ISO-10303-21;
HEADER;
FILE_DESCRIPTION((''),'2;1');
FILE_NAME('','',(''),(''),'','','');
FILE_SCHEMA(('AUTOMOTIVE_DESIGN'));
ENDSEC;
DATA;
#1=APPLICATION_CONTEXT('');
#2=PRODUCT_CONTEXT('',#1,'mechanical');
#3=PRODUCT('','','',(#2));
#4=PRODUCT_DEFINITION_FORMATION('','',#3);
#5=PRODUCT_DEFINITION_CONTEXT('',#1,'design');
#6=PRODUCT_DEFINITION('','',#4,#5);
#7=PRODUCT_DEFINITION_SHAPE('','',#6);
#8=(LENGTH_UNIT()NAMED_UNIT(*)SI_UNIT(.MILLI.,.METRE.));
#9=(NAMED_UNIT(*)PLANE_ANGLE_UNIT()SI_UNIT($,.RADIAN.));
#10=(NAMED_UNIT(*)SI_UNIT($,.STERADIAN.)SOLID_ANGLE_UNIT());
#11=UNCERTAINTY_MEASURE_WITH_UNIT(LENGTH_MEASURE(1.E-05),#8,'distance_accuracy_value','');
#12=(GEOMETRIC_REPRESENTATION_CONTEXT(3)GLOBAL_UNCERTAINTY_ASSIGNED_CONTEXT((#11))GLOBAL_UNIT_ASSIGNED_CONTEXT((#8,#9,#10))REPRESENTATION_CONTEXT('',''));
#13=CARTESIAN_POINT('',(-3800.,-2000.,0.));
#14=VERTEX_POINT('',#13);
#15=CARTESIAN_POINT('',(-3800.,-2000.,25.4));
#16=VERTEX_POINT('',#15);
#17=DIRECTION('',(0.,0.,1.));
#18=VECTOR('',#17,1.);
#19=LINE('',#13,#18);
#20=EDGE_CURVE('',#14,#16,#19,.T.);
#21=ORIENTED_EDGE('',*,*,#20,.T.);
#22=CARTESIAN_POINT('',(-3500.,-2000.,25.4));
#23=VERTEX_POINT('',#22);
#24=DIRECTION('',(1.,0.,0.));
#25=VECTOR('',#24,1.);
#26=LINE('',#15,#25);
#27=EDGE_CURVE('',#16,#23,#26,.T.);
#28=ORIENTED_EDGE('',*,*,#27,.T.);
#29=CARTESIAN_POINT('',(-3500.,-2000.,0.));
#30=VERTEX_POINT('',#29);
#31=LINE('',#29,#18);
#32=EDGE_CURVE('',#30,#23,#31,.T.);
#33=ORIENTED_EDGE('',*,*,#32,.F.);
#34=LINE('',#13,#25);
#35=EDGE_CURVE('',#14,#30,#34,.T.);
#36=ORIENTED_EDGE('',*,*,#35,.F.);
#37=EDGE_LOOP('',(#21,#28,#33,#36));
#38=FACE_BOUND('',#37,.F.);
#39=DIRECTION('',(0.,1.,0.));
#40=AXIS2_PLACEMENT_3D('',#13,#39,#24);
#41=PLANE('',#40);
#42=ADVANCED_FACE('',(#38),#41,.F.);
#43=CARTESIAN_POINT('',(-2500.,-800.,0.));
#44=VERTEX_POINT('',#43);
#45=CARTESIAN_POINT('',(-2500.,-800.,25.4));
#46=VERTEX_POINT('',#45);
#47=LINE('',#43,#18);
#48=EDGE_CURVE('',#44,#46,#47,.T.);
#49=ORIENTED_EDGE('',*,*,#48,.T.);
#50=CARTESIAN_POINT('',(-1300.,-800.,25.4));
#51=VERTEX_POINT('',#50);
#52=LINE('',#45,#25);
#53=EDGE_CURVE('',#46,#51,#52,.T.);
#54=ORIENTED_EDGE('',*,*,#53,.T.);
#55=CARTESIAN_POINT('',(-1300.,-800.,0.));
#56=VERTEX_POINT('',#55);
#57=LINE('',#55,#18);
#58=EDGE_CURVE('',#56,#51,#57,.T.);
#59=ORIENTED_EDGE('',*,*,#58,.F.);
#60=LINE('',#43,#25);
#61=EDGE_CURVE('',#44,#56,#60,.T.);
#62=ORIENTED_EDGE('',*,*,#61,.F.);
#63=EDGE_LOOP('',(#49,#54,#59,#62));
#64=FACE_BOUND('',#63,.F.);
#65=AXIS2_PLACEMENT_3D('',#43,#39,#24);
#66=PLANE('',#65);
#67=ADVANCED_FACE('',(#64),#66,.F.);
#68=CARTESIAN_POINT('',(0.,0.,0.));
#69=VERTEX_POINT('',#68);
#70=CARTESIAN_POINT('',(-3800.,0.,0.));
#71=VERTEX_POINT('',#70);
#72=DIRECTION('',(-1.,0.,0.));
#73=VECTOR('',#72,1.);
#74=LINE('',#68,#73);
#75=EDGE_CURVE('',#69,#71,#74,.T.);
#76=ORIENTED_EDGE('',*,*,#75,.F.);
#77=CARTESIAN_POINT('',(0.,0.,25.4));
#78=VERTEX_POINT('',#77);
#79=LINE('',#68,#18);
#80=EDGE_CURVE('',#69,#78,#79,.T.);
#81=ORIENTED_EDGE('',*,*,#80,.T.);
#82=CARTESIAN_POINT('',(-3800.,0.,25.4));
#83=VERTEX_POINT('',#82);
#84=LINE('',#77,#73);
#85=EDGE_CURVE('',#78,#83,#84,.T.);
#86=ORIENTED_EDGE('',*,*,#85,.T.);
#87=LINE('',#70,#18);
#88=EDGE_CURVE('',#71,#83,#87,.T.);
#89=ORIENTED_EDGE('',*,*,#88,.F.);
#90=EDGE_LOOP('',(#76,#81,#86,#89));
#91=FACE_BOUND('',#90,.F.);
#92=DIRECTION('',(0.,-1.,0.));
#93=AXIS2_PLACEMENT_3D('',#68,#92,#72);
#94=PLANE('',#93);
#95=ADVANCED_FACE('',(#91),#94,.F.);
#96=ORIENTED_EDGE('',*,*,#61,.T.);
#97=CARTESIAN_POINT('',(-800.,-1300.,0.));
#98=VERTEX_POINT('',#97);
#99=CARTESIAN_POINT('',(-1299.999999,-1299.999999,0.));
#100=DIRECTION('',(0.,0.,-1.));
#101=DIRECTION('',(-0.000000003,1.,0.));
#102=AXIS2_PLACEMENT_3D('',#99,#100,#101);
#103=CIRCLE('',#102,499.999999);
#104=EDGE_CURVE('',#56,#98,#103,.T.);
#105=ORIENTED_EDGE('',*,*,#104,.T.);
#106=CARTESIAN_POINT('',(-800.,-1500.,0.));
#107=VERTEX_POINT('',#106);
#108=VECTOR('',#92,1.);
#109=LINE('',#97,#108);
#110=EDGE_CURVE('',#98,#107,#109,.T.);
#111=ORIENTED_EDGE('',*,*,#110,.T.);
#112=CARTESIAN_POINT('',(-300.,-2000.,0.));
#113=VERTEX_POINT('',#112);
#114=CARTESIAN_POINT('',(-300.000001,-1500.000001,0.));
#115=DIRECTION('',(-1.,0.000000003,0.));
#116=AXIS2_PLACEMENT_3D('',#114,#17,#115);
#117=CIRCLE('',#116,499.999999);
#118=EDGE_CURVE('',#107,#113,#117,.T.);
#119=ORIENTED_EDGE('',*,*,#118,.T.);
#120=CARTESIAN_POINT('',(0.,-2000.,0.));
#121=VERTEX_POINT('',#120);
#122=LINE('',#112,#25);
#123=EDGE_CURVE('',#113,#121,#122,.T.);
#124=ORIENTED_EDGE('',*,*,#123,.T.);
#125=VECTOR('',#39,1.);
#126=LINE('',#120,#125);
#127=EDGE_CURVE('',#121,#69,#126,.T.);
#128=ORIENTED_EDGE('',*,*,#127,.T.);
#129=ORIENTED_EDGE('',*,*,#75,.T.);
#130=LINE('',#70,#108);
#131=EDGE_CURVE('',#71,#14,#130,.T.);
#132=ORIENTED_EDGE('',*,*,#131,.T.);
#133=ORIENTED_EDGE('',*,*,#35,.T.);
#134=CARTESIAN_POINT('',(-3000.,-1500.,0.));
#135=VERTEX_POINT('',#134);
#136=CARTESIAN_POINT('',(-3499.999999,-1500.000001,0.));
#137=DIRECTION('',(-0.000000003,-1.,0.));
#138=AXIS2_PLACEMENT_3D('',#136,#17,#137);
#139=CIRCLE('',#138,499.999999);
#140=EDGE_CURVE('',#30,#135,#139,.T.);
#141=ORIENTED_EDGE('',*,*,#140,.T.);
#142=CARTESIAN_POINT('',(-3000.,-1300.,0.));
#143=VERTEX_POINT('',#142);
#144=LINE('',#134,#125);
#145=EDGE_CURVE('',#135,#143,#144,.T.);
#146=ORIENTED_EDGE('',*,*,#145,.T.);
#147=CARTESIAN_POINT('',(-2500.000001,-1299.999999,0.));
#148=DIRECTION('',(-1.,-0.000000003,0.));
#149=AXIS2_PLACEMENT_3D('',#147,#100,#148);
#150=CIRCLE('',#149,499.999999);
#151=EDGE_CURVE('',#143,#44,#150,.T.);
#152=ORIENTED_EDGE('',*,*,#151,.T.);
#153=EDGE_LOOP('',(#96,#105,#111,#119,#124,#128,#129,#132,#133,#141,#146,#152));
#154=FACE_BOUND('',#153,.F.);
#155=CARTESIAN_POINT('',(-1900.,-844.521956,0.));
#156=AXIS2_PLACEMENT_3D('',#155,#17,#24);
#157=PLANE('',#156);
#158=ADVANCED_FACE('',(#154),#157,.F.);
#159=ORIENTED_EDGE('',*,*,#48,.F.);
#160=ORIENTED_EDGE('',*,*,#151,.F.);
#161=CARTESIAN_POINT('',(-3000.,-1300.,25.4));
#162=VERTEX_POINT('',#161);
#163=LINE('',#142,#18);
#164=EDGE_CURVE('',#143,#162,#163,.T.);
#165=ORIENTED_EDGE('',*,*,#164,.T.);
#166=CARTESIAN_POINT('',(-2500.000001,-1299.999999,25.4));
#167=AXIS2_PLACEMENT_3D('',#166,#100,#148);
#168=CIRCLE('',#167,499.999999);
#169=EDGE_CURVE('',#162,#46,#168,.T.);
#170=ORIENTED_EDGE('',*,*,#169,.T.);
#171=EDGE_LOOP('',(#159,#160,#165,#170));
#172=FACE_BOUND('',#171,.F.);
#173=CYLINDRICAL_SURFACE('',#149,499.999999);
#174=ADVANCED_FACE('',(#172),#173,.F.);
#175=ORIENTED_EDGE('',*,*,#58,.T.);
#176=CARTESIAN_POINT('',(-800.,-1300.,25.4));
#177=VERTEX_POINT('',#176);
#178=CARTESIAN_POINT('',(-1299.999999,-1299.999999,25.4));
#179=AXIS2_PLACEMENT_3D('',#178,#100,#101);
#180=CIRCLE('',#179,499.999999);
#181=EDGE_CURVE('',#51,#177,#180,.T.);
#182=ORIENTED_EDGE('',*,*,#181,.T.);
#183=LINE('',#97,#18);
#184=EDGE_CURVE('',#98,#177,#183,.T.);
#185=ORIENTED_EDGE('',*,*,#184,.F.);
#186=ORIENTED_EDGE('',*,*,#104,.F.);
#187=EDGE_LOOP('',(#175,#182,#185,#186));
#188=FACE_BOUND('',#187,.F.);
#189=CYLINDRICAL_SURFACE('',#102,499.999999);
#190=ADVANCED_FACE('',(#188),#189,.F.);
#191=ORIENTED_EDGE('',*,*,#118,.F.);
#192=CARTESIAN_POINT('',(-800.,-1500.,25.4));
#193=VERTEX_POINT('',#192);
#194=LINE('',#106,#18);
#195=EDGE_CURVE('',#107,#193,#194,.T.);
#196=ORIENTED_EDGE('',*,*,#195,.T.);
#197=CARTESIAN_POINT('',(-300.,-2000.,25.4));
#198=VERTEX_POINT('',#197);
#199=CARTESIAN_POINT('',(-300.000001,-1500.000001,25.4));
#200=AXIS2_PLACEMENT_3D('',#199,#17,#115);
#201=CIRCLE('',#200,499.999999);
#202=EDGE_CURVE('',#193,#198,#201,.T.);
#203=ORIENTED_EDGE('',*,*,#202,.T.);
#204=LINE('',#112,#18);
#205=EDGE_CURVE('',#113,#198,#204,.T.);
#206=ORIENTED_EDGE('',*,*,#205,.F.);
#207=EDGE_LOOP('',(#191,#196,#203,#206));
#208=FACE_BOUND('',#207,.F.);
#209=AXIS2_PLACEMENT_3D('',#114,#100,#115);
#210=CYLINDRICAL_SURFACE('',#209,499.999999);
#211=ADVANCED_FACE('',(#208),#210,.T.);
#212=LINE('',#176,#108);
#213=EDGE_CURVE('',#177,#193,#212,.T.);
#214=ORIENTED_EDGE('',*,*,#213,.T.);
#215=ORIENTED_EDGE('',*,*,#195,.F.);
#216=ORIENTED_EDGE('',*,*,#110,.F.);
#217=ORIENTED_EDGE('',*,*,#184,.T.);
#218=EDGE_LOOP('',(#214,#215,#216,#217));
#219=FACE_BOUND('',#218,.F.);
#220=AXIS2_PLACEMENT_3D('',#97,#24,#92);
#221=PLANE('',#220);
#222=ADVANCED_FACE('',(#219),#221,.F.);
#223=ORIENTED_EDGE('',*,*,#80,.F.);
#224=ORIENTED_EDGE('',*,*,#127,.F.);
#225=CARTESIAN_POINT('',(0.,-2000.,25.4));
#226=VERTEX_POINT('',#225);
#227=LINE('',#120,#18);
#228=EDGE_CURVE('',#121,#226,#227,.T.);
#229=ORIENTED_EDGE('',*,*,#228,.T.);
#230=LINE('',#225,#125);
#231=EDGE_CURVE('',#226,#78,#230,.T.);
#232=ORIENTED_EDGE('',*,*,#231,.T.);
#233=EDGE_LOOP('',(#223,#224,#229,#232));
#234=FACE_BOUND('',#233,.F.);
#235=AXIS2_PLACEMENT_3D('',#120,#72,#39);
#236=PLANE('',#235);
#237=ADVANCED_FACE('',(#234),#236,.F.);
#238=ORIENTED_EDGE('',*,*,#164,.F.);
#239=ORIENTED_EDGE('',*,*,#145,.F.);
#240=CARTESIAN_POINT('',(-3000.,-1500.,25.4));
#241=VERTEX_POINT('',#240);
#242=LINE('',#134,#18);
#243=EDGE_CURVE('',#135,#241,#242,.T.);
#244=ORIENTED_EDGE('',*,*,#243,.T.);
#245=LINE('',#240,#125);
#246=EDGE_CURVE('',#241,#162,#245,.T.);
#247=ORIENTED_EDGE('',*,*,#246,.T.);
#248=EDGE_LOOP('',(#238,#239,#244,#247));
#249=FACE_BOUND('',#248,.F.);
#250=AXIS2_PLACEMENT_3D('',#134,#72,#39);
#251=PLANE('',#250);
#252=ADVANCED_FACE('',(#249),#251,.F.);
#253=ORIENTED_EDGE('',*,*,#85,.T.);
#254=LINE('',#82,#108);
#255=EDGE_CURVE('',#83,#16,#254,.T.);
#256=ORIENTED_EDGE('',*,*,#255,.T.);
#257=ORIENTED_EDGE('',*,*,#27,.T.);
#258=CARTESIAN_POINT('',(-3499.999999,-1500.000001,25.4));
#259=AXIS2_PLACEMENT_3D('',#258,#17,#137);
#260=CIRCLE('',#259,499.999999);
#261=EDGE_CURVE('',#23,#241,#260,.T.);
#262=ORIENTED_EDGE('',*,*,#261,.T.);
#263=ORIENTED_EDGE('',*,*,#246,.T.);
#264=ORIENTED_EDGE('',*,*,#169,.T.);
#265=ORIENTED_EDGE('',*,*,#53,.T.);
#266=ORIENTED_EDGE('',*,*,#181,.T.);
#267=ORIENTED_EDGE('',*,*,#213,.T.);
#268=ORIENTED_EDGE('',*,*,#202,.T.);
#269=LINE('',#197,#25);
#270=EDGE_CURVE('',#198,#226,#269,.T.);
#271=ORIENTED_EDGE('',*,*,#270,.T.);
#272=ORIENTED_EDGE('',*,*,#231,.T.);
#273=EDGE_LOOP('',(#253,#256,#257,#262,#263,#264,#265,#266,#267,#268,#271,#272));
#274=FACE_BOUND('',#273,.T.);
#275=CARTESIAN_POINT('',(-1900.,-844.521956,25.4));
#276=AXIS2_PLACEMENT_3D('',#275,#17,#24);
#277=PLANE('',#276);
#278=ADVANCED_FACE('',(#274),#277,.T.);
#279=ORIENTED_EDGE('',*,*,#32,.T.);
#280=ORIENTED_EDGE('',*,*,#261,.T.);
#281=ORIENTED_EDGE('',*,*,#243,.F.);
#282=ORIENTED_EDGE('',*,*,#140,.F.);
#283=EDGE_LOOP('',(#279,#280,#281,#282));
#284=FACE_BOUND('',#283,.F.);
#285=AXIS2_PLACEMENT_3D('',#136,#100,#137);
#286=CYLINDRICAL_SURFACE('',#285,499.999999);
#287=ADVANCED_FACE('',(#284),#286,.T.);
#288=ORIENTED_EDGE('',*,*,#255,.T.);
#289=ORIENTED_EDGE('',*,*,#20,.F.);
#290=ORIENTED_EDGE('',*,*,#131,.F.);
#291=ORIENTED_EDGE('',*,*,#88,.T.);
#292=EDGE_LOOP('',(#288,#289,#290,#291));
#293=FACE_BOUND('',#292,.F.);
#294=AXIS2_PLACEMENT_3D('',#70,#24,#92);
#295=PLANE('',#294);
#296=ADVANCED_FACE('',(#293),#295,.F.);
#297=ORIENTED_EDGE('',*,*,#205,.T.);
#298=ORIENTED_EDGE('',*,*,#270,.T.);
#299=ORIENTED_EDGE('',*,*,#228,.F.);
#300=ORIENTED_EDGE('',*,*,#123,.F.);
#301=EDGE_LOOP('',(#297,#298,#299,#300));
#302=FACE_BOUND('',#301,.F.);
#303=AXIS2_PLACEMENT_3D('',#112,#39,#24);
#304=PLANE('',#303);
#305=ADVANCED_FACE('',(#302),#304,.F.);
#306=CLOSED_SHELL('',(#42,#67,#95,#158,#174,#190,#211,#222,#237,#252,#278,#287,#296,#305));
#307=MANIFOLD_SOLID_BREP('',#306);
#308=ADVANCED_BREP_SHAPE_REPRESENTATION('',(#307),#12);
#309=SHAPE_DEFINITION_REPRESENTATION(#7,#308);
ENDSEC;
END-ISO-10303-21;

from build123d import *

# Parameters (mm, degrees)
F1_DEPTH = 25.4


with BuildPart() as f1:
    # F0 (on Top) → F1 (new body)
    with BuildSketch(Plane.XY):
        with BuildLine():
            Line((0, -2000), (0, 0))
            Line((0, 0), (-3800, 0))
            Line((-3800, 0), (-3800, -2000))
            Line((-3800, -2000), (-3500, -2000))
            ThreePointArc((-3500, -2000), (-3146.446609, -1853.553391), (-3000, -1500))
            Line((-3000, -1500), (-3000, -1300))
            ThreePointArc((-3000, -1300), (-2853.553391, -946.446609), (-2500, -800))
            Line((-2500, -800), (-1300, -800))
            ThreePointArc((-1300, -800), (-946.446609, -946.446609), (-800, -1300))
            Line((-800, -1300), (-800, -1500))
            ThreePointArc((-800, -1500), (-653.553391, -1853.553391), (-300, -2000))
            Line((-300, -2000), (0, -2000))
        make_face()
    extrude(amount=F1_DEPTH)


solid = f1.part
